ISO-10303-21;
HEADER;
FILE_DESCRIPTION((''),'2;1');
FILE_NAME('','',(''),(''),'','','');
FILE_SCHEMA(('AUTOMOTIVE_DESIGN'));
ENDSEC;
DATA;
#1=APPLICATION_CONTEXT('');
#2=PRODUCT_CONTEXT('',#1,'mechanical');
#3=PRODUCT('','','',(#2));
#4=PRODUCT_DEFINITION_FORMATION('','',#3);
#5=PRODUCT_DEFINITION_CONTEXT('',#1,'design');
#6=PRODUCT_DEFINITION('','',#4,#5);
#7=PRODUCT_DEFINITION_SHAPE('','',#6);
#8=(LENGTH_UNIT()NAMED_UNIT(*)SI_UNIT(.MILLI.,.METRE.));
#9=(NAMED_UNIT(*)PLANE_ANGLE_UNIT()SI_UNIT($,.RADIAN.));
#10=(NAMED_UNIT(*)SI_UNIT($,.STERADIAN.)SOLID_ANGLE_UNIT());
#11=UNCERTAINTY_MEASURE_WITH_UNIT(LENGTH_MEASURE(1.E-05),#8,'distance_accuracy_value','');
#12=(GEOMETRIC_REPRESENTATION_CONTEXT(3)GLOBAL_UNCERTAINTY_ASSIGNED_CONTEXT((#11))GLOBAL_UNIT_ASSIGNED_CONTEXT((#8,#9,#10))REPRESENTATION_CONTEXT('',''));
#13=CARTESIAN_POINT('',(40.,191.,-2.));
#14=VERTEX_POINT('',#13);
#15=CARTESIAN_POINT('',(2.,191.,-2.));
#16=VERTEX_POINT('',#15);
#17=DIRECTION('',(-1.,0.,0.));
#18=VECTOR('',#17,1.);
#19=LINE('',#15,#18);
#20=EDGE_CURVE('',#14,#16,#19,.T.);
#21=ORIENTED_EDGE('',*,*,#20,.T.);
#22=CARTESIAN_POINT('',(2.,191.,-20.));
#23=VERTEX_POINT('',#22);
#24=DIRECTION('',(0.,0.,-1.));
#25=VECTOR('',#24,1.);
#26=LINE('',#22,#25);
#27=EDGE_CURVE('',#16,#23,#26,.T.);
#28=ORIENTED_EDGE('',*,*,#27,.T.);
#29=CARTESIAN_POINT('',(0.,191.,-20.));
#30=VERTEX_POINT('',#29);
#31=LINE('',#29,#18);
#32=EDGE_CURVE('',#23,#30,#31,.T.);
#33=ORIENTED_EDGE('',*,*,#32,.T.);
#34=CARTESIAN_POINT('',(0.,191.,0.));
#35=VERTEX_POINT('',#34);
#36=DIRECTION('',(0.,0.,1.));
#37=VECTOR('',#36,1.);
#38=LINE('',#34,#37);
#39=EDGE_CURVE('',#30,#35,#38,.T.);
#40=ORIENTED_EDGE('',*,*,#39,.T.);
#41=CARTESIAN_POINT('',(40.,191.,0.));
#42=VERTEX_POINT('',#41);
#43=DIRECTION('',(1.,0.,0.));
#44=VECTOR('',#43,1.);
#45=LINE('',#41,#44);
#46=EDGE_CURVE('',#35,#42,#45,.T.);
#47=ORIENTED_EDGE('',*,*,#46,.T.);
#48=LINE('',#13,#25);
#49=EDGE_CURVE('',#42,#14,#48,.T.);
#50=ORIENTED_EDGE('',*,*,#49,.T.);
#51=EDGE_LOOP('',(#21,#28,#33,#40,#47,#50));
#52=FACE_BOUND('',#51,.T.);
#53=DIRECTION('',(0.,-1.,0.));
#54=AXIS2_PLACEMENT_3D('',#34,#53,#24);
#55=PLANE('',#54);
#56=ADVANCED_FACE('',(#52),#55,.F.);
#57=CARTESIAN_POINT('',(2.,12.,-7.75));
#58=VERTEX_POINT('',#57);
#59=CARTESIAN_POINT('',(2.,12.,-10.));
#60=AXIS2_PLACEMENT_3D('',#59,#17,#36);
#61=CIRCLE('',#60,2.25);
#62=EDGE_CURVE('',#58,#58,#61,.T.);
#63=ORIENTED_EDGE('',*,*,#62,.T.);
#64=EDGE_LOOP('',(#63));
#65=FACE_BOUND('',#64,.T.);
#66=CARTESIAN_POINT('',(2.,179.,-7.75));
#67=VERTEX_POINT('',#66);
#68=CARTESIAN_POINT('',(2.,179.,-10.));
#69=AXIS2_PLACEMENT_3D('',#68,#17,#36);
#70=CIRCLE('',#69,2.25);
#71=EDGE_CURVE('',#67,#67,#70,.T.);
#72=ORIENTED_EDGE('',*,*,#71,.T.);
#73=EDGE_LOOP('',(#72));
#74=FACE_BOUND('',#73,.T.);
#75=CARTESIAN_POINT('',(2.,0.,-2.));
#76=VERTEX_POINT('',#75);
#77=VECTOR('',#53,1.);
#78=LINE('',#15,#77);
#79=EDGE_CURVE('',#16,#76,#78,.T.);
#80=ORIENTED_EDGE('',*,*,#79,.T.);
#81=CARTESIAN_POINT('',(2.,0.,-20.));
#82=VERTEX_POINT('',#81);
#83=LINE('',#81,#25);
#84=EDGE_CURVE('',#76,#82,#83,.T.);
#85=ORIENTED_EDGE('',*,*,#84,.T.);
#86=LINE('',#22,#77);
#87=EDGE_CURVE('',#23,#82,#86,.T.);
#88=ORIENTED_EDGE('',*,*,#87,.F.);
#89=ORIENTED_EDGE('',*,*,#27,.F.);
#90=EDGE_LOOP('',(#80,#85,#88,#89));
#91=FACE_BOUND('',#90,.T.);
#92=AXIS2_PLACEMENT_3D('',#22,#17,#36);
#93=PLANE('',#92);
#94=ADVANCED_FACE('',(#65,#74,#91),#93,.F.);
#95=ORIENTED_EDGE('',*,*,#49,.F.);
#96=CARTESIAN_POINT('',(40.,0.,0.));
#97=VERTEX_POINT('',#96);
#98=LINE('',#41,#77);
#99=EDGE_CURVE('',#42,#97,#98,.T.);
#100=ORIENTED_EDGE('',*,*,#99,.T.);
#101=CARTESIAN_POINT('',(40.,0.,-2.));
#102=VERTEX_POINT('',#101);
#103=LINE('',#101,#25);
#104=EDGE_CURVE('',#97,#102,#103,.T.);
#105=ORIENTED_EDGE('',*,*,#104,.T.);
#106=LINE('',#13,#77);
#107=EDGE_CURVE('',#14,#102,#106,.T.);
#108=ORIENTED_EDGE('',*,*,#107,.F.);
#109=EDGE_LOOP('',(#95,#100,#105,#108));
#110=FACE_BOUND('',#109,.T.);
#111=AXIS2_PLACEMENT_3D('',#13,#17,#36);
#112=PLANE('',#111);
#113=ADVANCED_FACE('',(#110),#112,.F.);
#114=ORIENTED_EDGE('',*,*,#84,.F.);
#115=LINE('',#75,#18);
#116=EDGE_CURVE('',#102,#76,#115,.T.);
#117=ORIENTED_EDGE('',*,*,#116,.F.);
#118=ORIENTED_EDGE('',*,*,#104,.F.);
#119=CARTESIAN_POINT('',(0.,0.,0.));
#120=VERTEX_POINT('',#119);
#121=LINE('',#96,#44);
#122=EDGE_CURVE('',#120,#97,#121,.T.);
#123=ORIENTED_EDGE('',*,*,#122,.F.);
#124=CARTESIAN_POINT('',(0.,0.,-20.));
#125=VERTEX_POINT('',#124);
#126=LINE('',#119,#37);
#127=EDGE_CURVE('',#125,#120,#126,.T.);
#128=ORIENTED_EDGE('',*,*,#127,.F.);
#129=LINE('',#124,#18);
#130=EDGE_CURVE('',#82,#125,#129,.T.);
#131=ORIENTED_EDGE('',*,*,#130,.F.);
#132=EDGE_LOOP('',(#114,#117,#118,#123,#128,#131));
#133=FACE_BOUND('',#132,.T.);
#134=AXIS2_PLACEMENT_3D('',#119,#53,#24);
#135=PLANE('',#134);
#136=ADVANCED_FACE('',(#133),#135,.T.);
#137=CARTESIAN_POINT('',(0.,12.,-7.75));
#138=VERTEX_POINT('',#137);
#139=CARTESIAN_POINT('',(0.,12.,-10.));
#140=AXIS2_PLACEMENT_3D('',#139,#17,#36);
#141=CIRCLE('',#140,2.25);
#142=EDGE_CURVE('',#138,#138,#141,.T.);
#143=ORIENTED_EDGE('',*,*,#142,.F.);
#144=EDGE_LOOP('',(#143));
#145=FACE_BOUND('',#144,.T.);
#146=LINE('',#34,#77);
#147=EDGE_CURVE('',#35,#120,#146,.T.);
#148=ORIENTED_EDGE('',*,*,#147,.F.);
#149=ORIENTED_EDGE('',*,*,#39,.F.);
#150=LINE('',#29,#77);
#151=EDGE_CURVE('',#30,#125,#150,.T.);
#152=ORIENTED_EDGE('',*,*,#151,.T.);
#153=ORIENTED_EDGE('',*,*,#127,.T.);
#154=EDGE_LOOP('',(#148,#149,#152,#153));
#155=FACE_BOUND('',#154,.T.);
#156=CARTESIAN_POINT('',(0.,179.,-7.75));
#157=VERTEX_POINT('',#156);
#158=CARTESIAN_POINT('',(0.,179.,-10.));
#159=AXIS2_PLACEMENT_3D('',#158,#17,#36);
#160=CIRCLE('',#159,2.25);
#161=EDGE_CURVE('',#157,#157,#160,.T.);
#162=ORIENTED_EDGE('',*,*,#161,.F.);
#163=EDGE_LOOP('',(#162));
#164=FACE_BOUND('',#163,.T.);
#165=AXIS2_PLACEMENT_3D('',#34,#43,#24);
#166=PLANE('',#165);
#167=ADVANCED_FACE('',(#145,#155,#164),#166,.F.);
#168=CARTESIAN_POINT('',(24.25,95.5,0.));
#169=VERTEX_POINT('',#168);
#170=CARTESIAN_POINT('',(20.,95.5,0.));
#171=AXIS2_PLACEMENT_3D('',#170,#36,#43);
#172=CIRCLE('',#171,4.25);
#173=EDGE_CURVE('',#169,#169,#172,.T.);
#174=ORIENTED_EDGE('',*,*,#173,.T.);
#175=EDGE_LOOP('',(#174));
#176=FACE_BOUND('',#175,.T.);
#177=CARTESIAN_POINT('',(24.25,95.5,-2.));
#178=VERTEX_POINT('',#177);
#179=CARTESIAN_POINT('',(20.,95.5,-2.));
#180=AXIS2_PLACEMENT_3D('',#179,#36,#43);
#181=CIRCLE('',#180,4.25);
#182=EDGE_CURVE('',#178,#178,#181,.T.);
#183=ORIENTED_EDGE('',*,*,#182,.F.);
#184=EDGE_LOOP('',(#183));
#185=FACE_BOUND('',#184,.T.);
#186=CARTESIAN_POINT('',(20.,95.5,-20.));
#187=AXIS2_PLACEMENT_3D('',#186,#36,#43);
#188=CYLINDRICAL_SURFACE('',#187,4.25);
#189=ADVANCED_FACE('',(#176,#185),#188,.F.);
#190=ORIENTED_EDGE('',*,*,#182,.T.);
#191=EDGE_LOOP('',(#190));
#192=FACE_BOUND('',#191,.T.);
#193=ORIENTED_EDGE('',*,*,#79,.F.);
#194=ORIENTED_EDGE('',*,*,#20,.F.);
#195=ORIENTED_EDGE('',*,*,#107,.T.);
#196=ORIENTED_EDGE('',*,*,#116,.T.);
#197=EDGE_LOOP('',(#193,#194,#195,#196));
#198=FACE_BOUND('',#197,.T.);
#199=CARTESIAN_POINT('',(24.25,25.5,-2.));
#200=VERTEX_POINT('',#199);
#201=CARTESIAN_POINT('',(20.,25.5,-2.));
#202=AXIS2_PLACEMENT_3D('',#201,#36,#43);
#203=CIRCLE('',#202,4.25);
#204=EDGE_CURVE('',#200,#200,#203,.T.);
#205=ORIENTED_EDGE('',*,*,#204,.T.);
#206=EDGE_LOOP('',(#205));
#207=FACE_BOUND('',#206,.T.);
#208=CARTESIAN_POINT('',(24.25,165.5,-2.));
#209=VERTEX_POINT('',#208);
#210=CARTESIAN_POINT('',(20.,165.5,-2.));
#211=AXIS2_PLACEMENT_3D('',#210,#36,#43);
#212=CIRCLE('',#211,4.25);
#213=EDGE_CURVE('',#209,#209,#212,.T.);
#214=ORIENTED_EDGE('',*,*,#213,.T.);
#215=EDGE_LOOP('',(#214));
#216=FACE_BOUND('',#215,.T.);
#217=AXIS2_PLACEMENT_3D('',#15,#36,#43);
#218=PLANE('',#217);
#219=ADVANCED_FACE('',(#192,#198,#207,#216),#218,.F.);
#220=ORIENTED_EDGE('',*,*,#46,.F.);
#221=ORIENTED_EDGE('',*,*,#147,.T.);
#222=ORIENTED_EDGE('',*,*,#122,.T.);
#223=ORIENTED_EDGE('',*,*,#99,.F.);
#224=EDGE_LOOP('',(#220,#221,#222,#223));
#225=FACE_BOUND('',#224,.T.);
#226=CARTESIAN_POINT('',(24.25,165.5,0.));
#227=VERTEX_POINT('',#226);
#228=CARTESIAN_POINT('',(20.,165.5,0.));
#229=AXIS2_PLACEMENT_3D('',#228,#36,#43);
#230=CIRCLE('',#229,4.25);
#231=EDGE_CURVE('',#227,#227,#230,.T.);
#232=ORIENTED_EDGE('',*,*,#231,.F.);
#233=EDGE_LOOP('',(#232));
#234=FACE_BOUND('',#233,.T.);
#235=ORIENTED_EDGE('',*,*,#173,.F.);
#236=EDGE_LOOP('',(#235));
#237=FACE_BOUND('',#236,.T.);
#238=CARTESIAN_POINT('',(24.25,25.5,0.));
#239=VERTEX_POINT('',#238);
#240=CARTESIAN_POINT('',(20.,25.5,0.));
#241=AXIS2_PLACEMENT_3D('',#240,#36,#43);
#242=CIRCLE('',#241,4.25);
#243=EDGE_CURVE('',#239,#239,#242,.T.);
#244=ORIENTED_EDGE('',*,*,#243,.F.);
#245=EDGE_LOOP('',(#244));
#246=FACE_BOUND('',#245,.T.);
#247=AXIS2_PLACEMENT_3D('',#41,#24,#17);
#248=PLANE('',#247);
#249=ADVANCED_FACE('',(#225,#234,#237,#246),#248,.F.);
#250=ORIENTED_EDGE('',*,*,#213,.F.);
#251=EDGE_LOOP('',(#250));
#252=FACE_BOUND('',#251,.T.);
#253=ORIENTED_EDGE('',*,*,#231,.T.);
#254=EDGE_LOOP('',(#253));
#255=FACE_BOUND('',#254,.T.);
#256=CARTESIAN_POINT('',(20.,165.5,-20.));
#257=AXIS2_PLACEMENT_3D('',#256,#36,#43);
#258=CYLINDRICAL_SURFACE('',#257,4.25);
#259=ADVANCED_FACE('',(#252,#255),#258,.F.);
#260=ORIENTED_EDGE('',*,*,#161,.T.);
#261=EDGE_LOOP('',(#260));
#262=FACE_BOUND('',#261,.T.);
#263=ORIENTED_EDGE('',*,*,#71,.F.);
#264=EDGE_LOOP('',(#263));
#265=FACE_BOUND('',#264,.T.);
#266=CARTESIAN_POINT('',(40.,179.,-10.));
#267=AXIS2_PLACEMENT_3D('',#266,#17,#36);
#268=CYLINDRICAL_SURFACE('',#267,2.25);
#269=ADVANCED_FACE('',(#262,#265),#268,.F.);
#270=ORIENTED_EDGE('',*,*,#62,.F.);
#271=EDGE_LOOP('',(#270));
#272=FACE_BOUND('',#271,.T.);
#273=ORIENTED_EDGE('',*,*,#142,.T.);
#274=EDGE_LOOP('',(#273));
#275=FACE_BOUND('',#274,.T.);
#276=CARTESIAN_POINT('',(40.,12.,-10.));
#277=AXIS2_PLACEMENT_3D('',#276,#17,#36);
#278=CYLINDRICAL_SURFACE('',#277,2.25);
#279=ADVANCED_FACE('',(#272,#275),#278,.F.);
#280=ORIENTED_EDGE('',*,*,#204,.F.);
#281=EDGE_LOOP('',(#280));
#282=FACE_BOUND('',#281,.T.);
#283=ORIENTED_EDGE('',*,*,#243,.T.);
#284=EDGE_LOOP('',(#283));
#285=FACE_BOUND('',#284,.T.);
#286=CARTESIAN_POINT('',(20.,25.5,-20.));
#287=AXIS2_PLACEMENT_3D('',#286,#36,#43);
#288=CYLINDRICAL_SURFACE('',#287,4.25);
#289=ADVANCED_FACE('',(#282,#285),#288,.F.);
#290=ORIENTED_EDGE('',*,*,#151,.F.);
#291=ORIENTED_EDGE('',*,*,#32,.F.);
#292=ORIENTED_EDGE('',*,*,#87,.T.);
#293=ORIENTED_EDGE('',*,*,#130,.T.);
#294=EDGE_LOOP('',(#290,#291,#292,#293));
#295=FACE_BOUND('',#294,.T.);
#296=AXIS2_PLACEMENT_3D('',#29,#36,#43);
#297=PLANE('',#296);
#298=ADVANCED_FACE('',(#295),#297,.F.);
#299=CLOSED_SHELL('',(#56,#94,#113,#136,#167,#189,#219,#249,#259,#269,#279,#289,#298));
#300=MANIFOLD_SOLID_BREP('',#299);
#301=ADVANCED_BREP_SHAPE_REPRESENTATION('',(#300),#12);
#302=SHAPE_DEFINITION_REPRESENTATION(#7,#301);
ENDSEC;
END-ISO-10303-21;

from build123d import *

# Parameters (mm, degrees)
EXTRUDE_1_DEPTH     = 191
SKETCH_2_R          = 4.25
CUT_EXTRUDE_1_DEPTH = 21
SKETCH_3_R          = 2.25
CUT_EXTRUDE_2_DEPTH = 41


with BuildPart() as part:
    # Эскиз1 → Бобышка-Вытянуть1 (new body)
    with BuildSketch(Plane(origin=(0, 0, 0), x_dir=(1, 0, 0), z_dir=(0, 1, 0))):
        Polygon((0, 0), (0, 20), (2, 20), (2, 2), (40, 2), (40, 0), align=None)
    extrude(amount=EXTRUDE_1_DEPTH)

    # Эскиз2 → Вырез-Вытянуть1 (cut, through all)
    with BuildSketch(Plane.XY):
        with Locations((20, 165.5)):
            Circle(SKETCH_2_R)
        with Locations((20, 95.5)):
            Circle(SKETCH_2_R)
        with Locations((20, 25.5)):
            Circle(SKETCH_2_R)
    extrude(amount=-CUT_EXTRUDE_1_DEPTH, mode=Mode.SUBTRACT)

    # Эскиз3 → Вырез-Вытянуть2 (cut, through all)
    with BuildSketch(Plane.ZY):
        with Locations((-10, 12)):
            Circle(SKETCH_3_R)
        with Locations((-10, 179)):
            Circle(SKETCH_3_R)
    extrude(amount=-CUT_EXTRUDE_2_DEPTH, mode=Mode.SUBTRACT)


solid = part.part
